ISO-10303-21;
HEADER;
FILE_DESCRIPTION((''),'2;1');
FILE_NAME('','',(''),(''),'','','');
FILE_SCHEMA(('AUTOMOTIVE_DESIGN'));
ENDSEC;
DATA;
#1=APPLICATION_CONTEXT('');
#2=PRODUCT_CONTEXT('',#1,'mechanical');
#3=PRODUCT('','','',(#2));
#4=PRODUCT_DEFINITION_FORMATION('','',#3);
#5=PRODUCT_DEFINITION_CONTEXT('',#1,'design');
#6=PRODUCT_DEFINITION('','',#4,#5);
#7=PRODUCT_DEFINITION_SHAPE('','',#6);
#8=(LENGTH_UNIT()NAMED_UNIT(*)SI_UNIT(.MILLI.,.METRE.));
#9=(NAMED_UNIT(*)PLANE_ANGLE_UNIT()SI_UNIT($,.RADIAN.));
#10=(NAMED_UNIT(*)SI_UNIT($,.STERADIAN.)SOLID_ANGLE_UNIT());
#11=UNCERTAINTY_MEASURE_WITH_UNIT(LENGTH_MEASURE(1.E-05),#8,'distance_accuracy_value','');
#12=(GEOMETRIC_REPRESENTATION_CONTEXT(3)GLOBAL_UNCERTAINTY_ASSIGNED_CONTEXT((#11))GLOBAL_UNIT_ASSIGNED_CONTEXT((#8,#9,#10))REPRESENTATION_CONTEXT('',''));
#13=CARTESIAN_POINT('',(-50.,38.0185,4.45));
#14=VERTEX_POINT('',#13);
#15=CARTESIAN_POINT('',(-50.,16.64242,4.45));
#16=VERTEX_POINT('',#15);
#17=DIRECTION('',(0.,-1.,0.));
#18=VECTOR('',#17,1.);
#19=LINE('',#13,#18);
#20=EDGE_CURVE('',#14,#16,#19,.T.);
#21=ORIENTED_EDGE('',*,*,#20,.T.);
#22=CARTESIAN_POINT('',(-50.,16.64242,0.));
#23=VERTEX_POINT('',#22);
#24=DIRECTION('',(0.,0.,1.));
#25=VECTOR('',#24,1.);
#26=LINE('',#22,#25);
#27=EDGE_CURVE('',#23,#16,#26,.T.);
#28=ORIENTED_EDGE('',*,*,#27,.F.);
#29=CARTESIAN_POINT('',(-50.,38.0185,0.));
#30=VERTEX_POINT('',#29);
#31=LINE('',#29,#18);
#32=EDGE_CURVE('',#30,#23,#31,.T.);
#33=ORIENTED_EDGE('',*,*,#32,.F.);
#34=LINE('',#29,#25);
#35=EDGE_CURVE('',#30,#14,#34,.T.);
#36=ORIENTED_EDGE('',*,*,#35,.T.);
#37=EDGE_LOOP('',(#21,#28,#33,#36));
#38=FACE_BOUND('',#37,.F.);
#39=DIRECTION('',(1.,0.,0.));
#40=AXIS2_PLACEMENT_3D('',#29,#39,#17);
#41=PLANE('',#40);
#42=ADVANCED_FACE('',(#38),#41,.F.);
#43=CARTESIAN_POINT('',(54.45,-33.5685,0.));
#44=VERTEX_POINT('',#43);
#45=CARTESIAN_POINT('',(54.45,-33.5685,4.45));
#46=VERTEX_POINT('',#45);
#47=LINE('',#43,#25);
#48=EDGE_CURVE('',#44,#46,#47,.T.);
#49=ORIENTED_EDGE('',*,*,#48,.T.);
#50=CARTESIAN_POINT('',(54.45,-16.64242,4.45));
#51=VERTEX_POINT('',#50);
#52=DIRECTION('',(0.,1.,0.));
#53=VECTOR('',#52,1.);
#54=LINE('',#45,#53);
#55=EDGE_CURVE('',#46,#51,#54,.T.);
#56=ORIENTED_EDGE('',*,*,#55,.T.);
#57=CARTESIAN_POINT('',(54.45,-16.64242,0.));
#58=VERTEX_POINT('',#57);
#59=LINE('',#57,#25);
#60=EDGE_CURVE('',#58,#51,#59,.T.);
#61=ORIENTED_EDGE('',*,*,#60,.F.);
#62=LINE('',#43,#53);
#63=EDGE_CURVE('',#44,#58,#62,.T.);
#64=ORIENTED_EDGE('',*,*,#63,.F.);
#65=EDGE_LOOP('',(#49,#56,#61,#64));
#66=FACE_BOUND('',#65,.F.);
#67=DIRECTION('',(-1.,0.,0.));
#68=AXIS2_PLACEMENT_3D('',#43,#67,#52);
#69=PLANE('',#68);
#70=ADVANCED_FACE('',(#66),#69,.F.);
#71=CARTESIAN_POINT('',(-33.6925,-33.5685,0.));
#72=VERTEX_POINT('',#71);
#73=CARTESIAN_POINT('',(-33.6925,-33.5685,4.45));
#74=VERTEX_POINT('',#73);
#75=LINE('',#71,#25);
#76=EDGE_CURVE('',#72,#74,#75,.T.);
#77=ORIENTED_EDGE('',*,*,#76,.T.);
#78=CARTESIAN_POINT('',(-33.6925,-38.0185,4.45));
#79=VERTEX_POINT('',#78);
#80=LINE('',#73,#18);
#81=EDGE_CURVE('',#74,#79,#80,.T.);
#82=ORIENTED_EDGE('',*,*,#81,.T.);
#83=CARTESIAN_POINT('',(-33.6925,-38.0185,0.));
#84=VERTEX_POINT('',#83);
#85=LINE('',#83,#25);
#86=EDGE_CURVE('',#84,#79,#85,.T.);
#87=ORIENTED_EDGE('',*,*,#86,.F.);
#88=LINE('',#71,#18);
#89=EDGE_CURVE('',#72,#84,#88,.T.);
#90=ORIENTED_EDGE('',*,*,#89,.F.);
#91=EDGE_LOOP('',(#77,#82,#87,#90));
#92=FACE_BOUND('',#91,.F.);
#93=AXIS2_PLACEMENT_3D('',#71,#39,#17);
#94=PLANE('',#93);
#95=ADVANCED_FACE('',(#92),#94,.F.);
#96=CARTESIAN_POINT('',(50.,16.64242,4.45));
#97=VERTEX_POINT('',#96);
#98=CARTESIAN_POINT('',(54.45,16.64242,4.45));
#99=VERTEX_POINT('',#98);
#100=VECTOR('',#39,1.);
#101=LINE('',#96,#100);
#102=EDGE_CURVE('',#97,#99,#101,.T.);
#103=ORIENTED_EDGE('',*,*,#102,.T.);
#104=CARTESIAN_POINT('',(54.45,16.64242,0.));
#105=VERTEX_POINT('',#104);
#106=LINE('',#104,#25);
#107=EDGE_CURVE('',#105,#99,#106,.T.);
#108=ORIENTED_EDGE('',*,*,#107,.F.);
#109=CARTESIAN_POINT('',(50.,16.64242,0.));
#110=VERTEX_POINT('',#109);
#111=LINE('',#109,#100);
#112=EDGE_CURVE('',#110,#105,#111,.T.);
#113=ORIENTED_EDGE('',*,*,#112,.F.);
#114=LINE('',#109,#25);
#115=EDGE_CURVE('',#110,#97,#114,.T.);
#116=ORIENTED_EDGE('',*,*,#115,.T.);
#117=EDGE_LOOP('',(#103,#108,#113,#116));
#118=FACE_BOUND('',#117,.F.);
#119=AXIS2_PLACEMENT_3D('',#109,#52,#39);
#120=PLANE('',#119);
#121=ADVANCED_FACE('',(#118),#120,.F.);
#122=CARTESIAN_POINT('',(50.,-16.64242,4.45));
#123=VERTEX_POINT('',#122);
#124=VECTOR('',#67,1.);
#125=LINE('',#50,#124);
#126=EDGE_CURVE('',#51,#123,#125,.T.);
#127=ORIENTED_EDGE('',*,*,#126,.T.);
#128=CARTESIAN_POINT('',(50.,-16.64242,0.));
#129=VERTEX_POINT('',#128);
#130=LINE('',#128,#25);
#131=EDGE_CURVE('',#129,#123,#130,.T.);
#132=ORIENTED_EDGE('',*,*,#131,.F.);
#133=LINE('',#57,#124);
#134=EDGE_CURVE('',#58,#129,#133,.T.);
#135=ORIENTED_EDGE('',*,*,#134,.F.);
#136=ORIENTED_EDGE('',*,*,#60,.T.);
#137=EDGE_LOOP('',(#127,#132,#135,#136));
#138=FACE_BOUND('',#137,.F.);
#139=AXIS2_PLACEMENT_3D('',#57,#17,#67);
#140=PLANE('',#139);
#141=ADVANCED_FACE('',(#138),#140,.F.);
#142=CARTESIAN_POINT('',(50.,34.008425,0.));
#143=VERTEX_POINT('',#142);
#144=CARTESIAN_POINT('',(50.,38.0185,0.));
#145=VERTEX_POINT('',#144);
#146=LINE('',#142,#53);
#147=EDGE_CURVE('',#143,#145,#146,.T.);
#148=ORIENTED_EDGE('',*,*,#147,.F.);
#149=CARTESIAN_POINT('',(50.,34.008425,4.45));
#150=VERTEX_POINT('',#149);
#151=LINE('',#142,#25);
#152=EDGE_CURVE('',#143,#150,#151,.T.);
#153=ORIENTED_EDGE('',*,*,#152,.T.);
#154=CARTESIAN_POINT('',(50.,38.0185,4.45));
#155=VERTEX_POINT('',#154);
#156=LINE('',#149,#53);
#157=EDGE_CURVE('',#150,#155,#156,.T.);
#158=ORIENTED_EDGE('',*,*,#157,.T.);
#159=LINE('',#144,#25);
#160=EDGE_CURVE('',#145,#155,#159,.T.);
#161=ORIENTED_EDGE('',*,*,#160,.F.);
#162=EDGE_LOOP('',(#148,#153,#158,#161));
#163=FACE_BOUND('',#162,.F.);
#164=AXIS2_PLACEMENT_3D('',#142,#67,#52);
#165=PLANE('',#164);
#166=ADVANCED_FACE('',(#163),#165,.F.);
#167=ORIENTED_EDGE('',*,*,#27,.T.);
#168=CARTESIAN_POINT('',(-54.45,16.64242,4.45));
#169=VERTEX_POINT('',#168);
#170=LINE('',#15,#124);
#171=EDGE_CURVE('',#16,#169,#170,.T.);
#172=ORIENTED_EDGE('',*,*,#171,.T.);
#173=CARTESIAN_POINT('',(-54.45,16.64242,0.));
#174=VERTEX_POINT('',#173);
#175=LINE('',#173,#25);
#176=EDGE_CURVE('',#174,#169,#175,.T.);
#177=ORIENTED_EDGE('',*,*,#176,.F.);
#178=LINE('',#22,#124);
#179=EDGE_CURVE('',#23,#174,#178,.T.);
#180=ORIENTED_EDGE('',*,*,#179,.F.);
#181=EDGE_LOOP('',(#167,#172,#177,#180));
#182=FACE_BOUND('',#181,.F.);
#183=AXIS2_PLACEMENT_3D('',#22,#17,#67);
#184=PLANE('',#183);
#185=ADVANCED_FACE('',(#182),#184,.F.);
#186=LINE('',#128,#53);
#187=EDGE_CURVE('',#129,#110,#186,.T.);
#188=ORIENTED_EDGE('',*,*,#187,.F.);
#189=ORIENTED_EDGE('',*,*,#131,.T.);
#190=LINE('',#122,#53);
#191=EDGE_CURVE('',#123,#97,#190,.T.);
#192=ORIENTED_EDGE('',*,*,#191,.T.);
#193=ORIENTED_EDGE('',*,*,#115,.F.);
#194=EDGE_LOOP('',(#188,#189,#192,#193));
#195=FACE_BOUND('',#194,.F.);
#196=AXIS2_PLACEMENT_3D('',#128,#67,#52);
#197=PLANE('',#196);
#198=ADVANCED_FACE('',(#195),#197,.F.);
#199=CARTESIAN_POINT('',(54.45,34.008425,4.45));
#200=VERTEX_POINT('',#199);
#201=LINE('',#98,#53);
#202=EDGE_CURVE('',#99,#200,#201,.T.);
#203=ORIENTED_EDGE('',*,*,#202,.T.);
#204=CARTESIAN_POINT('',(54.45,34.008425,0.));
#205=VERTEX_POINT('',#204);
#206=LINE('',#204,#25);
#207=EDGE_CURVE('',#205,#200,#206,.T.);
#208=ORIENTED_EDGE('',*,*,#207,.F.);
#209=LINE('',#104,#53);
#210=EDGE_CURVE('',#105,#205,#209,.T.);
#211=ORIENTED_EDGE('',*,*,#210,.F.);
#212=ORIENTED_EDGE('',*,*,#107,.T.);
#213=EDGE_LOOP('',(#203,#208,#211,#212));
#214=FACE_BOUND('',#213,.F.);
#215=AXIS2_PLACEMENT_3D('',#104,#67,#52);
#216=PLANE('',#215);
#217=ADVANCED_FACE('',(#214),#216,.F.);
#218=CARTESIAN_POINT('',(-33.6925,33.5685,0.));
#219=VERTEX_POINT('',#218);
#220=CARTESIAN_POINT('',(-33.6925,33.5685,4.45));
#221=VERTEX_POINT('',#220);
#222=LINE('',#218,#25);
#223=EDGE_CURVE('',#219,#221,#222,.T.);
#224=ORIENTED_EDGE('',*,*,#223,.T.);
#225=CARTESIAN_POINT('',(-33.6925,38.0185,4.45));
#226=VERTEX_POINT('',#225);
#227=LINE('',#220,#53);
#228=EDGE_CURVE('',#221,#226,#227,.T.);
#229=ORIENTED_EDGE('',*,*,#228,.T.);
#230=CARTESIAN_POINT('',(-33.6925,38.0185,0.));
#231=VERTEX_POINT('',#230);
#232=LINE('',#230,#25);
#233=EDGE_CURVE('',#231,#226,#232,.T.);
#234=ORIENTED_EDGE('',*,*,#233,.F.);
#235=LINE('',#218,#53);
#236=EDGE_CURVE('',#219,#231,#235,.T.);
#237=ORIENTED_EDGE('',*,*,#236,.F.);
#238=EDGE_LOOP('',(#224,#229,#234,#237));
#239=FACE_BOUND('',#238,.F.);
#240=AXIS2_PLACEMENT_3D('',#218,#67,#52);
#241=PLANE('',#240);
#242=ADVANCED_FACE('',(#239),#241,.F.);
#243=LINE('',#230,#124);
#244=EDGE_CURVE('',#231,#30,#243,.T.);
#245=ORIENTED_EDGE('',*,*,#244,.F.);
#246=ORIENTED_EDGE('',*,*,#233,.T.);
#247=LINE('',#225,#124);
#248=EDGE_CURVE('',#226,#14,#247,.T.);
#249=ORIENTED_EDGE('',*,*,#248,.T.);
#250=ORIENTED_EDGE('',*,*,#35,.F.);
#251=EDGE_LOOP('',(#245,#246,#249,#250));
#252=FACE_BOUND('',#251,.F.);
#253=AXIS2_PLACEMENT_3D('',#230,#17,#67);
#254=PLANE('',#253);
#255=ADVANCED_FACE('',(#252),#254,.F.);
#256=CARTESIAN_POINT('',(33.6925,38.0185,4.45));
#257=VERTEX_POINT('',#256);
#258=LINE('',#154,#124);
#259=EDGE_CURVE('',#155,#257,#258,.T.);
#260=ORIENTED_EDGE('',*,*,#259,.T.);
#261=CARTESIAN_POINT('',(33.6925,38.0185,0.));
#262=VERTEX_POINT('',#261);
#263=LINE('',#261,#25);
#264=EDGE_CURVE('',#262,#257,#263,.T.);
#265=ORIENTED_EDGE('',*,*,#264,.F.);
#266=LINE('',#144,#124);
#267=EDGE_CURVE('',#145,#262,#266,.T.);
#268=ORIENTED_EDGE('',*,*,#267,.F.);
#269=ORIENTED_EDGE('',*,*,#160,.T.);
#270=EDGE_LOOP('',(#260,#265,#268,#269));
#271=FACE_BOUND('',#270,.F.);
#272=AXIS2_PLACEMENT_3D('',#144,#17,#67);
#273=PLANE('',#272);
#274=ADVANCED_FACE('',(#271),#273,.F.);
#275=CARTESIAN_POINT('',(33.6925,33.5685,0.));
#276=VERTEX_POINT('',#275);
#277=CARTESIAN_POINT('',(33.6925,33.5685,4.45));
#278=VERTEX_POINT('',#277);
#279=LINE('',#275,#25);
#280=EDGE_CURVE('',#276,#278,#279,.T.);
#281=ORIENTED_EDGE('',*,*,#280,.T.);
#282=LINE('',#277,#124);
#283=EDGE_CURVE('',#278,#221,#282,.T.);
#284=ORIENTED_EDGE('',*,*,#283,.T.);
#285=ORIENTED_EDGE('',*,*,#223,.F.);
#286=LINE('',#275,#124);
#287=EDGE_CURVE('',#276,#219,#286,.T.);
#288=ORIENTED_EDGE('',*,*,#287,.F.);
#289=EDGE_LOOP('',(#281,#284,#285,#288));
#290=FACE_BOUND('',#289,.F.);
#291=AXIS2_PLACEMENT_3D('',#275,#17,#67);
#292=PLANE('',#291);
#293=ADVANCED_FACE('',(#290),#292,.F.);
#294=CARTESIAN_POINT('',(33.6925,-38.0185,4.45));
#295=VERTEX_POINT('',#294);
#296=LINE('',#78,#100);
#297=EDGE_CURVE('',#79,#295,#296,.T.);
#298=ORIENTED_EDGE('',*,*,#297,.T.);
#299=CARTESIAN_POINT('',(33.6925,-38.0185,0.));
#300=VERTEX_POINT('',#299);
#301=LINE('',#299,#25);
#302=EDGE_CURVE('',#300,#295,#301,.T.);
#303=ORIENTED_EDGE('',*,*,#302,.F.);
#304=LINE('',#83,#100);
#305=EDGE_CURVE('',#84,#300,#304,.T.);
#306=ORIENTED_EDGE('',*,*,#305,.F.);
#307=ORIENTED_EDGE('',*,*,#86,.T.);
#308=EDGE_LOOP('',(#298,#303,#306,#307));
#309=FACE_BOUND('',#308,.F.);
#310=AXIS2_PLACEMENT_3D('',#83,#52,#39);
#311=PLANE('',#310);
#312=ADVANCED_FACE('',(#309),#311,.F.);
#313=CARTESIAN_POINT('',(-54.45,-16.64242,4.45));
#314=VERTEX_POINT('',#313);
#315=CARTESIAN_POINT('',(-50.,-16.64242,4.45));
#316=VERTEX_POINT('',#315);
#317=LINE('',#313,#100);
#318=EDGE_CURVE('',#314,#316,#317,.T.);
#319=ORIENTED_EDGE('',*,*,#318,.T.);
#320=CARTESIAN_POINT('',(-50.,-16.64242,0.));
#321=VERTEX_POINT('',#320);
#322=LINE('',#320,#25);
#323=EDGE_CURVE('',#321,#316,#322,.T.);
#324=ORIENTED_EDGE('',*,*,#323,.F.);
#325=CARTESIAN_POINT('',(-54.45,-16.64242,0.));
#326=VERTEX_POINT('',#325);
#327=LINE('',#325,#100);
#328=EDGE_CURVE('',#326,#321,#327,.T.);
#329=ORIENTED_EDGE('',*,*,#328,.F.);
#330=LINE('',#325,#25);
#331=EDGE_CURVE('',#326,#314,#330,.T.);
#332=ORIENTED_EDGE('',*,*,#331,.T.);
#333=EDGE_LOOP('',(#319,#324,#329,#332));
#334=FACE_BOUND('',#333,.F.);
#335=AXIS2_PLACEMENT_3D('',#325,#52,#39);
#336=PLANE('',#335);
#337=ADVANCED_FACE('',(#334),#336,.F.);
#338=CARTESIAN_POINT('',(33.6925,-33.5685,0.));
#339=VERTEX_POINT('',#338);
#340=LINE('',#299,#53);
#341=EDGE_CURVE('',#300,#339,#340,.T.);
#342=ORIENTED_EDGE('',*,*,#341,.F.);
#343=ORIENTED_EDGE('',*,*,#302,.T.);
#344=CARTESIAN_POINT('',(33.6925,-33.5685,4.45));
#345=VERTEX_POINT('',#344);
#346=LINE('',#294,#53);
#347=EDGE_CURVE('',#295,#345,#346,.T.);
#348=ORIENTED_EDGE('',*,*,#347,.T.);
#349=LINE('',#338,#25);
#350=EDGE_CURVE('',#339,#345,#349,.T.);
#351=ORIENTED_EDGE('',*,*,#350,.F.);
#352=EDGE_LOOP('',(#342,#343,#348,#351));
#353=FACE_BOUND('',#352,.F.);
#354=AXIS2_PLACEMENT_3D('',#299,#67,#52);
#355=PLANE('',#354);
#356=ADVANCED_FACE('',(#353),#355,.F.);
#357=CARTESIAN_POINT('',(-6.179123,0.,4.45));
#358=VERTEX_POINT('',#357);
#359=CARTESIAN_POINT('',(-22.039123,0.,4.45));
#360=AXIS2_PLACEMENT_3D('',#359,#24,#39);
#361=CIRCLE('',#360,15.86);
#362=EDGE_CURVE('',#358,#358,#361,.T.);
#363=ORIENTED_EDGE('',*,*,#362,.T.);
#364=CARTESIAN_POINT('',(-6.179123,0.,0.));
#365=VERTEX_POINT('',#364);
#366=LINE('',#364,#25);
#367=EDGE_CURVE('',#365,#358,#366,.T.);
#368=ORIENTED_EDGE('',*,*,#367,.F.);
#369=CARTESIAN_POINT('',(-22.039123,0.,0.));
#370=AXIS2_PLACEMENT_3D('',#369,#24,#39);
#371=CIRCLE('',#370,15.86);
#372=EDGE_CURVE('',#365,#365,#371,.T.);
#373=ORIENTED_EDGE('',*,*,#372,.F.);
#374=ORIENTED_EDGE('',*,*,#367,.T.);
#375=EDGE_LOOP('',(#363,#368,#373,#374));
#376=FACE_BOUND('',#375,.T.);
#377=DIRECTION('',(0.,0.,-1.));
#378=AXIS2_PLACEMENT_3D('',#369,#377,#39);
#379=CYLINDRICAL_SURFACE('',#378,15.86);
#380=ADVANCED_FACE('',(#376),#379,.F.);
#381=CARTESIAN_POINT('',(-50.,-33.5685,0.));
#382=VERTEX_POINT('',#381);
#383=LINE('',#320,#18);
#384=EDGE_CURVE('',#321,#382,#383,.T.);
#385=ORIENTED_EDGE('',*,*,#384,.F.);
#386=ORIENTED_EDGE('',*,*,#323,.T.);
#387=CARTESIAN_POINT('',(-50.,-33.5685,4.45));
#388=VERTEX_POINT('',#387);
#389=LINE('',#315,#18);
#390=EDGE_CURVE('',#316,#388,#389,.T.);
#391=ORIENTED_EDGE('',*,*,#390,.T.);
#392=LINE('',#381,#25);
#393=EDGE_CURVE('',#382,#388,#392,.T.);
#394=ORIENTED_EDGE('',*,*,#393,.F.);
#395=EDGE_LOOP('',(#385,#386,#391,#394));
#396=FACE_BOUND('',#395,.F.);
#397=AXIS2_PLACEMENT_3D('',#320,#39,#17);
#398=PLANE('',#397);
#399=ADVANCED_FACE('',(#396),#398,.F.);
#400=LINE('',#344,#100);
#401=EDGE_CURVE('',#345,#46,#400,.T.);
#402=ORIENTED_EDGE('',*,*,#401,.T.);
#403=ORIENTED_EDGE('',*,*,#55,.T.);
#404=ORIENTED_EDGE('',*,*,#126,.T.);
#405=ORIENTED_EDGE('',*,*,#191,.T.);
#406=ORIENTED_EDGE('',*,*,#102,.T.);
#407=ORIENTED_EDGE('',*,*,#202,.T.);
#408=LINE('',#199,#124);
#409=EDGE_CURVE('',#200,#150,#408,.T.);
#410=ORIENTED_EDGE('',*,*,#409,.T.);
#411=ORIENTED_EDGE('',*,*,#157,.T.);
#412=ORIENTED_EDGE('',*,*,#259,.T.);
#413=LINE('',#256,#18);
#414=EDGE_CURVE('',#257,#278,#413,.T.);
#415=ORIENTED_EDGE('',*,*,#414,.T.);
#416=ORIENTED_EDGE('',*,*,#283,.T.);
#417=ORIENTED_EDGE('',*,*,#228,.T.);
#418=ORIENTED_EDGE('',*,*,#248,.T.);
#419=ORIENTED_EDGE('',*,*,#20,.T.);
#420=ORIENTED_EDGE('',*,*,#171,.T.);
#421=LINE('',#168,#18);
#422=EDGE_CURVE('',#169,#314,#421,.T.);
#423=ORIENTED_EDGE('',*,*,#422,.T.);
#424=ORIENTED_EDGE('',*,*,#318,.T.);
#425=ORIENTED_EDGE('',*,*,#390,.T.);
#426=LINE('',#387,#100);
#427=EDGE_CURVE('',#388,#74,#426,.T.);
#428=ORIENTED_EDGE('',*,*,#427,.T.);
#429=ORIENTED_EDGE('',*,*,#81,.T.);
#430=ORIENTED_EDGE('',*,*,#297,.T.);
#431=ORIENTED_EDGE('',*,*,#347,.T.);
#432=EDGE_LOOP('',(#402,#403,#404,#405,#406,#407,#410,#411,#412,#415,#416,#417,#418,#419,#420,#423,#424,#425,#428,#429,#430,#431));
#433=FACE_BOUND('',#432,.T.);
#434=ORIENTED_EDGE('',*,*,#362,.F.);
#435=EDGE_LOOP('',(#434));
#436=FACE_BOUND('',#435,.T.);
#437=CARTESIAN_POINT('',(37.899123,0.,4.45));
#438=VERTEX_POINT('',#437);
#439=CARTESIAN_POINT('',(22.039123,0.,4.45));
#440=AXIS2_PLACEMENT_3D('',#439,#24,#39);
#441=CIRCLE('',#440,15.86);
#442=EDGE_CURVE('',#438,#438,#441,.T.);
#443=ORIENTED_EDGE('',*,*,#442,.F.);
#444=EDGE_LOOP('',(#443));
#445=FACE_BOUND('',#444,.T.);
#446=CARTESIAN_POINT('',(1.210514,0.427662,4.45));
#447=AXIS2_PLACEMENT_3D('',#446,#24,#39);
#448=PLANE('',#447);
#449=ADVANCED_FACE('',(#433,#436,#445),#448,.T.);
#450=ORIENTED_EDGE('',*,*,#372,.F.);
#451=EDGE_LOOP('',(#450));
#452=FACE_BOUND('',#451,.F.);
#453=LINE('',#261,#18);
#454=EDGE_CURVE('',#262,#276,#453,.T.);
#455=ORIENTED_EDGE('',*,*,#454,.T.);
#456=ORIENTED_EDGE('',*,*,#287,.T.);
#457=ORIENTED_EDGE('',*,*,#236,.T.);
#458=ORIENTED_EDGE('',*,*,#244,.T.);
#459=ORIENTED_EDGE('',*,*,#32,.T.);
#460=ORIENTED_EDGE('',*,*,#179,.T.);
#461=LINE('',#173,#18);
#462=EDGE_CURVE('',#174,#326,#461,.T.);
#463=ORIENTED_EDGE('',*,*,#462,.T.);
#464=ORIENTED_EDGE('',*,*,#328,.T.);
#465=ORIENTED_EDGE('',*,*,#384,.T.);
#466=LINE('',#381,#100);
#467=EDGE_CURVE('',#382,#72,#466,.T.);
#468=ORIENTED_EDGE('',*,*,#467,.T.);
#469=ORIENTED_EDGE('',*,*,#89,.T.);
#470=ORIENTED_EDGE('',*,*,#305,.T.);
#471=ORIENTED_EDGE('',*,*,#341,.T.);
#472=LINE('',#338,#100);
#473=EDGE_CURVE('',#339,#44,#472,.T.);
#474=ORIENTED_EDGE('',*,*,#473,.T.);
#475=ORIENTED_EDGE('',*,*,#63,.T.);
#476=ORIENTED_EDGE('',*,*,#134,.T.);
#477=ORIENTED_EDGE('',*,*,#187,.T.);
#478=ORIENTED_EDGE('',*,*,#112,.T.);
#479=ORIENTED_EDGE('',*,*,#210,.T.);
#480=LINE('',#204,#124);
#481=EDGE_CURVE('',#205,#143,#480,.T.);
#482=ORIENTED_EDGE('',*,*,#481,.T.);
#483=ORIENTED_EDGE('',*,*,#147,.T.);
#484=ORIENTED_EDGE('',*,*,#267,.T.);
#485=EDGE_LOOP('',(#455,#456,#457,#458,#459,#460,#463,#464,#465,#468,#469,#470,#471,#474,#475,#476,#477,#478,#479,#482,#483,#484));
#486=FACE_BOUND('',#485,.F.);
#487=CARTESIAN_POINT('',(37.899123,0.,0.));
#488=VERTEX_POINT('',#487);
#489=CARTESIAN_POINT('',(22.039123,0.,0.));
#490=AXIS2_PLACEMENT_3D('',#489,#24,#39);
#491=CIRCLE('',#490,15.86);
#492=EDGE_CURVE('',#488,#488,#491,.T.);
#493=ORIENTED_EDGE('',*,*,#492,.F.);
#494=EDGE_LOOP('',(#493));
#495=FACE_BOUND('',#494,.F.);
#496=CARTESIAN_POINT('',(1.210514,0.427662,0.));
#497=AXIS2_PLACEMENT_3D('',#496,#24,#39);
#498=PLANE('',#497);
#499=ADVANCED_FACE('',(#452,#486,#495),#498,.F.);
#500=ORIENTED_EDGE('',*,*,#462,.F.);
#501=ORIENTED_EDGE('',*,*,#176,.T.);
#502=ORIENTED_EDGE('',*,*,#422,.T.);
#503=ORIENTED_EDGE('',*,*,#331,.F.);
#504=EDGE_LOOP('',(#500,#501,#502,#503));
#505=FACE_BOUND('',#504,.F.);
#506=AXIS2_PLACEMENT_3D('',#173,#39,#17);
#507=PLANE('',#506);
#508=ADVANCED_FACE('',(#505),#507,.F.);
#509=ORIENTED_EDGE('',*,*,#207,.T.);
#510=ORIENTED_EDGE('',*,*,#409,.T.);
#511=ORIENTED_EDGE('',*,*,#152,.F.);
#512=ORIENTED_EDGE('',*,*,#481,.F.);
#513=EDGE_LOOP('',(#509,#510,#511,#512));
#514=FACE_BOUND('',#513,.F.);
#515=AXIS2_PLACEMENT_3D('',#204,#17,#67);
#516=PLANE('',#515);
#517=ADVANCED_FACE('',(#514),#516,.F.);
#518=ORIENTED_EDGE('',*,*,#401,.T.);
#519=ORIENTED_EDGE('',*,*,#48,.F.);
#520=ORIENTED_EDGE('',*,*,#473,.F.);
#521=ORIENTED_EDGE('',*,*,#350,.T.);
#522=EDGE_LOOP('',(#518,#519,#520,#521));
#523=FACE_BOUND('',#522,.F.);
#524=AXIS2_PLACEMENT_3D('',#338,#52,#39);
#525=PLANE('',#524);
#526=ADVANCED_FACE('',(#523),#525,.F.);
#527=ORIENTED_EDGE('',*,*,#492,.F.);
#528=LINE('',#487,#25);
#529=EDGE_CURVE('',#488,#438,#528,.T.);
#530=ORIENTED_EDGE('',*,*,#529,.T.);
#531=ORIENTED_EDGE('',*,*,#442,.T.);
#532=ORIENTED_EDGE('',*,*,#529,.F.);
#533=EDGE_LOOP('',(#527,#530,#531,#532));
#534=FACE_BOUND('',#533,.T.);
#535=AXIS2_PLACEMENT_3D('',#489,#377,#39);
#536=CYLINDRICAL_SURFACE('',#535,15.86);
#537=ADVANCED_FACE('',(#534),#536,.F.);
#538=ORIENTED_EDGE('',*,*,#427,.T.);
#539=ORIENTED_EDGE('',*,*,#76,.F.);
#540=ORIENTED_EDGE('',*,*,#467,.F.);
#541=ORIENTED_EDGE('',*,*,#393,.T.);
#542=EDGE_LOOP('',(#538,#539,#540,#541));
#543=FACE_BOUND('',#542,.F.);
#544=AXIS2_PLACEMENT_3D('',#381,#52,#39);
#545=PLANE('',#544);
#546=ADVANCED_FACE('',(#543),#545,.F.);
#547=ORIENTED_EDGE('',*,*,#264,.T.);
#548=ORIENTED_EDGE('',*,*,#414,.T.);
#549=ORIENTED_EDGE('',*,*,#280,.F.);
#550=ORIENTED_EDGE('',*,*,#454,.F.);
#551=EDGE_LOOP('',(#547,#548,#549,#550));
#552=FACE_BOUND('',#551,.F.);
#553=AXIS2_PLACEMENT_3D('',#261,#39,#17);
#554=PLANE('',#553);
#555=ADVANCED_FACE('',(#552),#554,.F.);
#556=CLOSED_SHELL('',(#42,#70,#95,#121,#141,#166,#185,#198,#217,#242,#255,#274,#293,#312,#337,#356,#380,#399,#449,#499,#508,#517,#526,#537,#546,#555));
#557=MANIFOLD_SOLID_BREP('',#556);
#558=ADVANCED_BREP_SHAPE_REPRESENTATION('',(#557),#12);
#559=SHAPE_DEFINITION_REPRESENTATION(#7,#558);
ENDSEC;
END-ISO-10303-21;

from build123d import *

# Parameters (mm, degrees)
F0_R     = 15.86
F1_DEPTH = 4.45


with BuildPart() as f1:
    # F0 (on Top) → F1 (new body)
    with BuildSketch(Plane.XY):
        Polygon((33.6925, -33.5685), (50, -33.5685), (54.45, -33.5685), (54.45, -16.64242), (50, -16.64242), (50, 16.64242), (54.45, 16.64242), (54.45, 34.008425), (50, 34.008425), (50, 38.0185), (33.6925, 38.0185), (33.6925, 33.5685), (-33.6925, 33.5685), (-33.6925, 38.0185), (-50, 38.0185), (-50, 33.5685), (-50, 16.64242), (-54.45, 16.64242), (-54.45, -16.64242), (-50, -16.64242), (-50, -33.5685), (-33.6925, -33.5685), (-33.6925, -38.0185), (33.6925, -38.0185), align=None)
        with Locations((-22.039123, 0)):
            Circle(F0_R, mode=Mode.SUBTRACT)
        with Locations((22.039123, 0)):
            Circle(F0_R, mode=Mode.SUBTRACT)
    extrude(amount=F1_DEPTH)


solid = f1.part
